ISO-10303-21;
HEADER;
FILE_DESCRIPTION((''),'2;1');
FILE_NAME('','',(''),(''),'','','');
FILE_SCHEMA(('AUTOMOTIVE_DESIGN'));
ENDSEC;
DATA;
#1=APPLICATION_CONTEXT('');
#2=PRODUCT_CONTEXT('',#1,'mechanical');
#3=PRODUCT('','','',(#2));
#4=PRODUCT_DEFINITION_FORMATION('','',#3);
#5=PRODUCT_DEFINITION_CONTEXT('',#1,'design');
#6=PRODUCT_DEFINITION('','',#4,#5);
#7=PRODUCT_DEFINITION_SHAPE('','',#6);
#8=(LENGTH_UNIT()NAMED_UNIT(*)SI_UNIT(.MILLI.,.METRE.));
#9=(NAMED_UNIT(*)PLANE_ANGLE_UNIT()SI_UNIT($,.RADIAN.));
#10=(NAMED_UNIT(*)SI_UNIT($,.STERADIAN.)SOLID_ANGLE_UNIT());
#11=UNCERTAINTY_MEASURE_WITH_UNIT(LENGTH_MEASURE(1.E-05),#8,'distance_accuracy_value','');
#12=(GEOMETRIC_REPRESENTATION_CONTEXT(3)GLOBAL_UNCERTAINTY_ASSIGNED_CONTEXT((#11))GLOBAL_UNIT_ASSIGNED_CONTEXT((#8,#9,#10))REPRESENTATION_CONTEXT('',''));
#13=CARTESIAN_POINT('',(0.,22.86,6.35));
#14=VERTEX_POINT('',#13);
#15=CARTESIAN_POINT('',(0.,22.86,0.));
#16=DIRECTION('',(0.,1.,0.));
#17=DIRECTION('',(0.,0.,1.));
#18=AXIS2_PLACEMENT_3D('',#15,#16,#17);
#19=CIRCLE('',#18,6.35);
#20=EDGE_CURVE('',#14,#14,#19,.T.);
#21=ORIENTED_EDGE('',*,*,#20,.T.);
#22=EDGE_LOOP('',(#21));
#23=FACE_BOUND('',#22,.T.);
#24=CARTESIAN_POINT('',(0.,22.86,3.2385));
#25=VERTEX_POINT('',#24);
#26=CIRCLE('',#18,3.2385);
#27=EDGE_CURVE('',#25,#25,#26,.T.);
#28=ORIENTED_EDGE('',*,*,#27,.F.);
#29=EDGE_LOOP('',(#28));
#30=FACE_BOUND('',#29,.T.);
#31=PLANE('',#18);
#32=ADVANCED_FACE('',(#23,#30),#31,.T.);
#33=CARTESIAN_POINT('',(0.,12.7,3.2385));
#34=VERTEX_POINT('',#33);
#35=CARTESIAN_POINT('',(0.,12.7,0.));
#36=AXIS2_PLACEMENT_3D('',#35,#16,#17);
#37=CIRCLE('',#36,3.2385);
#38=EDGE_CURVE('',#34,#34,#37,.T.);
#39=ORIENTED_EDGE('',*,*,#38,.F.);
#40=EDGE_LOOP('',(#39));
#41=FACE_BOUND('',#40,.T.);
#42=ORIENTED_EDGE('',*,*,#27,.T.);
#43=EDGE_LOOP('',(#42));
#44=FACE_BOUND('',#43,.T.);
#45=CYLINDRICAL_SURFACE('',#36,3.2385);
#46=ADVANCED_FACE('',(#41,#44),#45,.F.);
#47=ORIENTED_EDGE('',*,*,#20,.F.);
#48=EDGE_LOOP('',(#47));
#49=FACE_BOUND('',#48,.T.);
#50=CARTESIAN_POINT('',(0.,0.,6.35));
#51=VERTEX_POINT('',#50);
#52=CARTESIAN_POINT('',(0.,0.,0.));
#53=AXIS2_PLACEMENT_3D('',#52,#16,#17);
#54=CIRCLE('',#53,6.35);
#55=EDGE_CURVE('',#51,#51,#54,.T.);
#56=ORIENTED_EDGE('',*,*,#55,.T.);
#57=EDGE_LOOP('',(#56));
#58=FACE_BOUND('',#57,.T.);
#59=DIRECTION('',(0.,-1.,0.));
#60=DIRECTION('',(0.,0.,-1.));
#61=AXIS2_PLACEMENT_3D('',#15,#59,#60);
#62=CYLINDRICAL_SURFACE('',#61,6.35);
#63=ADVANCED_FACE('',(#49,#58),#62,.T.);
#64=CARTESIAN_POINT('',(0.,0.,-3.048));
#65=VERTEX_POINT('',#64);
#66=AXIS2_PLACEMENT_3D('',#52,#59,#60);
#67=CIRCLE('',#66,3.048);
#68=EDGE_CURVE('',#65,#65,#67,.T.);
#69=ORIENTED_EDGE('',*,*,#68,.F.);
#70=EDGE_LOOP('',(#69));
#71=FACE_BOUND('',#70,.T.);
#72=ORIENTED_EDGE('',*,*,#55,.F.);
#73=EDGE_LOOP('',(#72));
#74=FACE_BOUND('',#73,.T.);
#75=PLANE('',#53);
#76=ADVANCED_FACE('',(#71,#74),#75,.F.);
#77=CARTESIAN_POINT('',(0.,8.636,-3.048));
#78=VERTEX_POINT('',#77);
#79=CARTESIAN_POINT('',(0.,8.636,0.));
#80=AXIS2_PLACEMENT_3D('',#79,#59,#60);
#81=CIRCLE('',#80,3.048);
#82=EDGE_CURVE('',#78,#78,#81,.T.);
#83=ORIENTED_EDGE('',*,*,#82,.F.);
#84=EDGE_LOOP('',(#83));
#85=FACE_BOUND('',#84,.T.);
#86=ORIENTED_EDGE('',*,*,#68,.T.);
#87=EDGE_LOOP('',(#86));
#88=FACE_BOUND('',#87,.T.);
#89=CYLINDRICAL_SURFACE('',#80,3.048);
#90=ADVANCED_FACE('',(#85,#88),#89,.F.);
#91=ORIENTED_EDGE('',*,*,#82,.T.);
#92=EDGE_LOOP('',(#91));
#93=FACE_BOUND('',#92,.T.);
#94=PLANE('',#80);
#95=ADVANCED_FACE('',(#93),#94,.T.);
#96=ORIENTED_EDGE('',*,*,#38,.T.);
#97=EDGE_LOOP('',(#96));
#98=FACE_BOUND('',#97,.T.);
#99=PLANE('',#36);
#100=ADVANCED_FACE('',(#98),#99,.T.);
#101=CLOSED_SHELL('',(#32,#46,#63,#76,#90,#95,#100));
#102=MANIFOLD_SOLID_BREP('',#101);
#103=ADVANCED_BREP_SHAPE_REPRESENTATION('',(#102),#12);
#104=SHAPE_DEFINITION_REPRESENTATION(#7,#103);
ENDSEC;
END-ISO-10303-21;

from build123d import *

# Parameters (mm, degrees)
SKETCH1_R           = 6.35
BOSS_EXTRUDE1_DEPTH = 22.86
SKETCH2_R           = 3.048
CUT_EXTRUDE1_DEPTH  = 8.636
SKETCH3_R           = 3.2385
CUT_EXTRUDE2_DEPTH  = 10.16


with BuildPart() as part:
    # Sketch1 → Boss-Extrude1 (new body)
    with BuildSketch(Plane(origin=(0, 0, 0), x_dir=(1, 0, 0), z_dir=(0, 1, 0))):
        Circle(SKETCH1_R)
    extrude(amount=BOSS_EXTRUDE1_DEPTH)

    # Sketch2 → Cut-Extrude1 (cut)
    with BuildSketch(Plane.XZ):
        Circle(SKETCH2_R)
    extrude(amount=-CUT_EXTRUDE1_DEPTH, mode=Mode.SUBTRACT)

    # Sketch3 → Cut-Extrude2 (cut)
    with BuildSketch(Plane(origin=(0, 22.86, 0), x_dir=(1, 0, 0), z_dir=(0, 1, 0))):
        Circle(SKETCH3_R)
    extrude(amount=-CUT_EXTRUDE2_DEPTH, mode=Mode.SUBTRACT)


solid = part.part
